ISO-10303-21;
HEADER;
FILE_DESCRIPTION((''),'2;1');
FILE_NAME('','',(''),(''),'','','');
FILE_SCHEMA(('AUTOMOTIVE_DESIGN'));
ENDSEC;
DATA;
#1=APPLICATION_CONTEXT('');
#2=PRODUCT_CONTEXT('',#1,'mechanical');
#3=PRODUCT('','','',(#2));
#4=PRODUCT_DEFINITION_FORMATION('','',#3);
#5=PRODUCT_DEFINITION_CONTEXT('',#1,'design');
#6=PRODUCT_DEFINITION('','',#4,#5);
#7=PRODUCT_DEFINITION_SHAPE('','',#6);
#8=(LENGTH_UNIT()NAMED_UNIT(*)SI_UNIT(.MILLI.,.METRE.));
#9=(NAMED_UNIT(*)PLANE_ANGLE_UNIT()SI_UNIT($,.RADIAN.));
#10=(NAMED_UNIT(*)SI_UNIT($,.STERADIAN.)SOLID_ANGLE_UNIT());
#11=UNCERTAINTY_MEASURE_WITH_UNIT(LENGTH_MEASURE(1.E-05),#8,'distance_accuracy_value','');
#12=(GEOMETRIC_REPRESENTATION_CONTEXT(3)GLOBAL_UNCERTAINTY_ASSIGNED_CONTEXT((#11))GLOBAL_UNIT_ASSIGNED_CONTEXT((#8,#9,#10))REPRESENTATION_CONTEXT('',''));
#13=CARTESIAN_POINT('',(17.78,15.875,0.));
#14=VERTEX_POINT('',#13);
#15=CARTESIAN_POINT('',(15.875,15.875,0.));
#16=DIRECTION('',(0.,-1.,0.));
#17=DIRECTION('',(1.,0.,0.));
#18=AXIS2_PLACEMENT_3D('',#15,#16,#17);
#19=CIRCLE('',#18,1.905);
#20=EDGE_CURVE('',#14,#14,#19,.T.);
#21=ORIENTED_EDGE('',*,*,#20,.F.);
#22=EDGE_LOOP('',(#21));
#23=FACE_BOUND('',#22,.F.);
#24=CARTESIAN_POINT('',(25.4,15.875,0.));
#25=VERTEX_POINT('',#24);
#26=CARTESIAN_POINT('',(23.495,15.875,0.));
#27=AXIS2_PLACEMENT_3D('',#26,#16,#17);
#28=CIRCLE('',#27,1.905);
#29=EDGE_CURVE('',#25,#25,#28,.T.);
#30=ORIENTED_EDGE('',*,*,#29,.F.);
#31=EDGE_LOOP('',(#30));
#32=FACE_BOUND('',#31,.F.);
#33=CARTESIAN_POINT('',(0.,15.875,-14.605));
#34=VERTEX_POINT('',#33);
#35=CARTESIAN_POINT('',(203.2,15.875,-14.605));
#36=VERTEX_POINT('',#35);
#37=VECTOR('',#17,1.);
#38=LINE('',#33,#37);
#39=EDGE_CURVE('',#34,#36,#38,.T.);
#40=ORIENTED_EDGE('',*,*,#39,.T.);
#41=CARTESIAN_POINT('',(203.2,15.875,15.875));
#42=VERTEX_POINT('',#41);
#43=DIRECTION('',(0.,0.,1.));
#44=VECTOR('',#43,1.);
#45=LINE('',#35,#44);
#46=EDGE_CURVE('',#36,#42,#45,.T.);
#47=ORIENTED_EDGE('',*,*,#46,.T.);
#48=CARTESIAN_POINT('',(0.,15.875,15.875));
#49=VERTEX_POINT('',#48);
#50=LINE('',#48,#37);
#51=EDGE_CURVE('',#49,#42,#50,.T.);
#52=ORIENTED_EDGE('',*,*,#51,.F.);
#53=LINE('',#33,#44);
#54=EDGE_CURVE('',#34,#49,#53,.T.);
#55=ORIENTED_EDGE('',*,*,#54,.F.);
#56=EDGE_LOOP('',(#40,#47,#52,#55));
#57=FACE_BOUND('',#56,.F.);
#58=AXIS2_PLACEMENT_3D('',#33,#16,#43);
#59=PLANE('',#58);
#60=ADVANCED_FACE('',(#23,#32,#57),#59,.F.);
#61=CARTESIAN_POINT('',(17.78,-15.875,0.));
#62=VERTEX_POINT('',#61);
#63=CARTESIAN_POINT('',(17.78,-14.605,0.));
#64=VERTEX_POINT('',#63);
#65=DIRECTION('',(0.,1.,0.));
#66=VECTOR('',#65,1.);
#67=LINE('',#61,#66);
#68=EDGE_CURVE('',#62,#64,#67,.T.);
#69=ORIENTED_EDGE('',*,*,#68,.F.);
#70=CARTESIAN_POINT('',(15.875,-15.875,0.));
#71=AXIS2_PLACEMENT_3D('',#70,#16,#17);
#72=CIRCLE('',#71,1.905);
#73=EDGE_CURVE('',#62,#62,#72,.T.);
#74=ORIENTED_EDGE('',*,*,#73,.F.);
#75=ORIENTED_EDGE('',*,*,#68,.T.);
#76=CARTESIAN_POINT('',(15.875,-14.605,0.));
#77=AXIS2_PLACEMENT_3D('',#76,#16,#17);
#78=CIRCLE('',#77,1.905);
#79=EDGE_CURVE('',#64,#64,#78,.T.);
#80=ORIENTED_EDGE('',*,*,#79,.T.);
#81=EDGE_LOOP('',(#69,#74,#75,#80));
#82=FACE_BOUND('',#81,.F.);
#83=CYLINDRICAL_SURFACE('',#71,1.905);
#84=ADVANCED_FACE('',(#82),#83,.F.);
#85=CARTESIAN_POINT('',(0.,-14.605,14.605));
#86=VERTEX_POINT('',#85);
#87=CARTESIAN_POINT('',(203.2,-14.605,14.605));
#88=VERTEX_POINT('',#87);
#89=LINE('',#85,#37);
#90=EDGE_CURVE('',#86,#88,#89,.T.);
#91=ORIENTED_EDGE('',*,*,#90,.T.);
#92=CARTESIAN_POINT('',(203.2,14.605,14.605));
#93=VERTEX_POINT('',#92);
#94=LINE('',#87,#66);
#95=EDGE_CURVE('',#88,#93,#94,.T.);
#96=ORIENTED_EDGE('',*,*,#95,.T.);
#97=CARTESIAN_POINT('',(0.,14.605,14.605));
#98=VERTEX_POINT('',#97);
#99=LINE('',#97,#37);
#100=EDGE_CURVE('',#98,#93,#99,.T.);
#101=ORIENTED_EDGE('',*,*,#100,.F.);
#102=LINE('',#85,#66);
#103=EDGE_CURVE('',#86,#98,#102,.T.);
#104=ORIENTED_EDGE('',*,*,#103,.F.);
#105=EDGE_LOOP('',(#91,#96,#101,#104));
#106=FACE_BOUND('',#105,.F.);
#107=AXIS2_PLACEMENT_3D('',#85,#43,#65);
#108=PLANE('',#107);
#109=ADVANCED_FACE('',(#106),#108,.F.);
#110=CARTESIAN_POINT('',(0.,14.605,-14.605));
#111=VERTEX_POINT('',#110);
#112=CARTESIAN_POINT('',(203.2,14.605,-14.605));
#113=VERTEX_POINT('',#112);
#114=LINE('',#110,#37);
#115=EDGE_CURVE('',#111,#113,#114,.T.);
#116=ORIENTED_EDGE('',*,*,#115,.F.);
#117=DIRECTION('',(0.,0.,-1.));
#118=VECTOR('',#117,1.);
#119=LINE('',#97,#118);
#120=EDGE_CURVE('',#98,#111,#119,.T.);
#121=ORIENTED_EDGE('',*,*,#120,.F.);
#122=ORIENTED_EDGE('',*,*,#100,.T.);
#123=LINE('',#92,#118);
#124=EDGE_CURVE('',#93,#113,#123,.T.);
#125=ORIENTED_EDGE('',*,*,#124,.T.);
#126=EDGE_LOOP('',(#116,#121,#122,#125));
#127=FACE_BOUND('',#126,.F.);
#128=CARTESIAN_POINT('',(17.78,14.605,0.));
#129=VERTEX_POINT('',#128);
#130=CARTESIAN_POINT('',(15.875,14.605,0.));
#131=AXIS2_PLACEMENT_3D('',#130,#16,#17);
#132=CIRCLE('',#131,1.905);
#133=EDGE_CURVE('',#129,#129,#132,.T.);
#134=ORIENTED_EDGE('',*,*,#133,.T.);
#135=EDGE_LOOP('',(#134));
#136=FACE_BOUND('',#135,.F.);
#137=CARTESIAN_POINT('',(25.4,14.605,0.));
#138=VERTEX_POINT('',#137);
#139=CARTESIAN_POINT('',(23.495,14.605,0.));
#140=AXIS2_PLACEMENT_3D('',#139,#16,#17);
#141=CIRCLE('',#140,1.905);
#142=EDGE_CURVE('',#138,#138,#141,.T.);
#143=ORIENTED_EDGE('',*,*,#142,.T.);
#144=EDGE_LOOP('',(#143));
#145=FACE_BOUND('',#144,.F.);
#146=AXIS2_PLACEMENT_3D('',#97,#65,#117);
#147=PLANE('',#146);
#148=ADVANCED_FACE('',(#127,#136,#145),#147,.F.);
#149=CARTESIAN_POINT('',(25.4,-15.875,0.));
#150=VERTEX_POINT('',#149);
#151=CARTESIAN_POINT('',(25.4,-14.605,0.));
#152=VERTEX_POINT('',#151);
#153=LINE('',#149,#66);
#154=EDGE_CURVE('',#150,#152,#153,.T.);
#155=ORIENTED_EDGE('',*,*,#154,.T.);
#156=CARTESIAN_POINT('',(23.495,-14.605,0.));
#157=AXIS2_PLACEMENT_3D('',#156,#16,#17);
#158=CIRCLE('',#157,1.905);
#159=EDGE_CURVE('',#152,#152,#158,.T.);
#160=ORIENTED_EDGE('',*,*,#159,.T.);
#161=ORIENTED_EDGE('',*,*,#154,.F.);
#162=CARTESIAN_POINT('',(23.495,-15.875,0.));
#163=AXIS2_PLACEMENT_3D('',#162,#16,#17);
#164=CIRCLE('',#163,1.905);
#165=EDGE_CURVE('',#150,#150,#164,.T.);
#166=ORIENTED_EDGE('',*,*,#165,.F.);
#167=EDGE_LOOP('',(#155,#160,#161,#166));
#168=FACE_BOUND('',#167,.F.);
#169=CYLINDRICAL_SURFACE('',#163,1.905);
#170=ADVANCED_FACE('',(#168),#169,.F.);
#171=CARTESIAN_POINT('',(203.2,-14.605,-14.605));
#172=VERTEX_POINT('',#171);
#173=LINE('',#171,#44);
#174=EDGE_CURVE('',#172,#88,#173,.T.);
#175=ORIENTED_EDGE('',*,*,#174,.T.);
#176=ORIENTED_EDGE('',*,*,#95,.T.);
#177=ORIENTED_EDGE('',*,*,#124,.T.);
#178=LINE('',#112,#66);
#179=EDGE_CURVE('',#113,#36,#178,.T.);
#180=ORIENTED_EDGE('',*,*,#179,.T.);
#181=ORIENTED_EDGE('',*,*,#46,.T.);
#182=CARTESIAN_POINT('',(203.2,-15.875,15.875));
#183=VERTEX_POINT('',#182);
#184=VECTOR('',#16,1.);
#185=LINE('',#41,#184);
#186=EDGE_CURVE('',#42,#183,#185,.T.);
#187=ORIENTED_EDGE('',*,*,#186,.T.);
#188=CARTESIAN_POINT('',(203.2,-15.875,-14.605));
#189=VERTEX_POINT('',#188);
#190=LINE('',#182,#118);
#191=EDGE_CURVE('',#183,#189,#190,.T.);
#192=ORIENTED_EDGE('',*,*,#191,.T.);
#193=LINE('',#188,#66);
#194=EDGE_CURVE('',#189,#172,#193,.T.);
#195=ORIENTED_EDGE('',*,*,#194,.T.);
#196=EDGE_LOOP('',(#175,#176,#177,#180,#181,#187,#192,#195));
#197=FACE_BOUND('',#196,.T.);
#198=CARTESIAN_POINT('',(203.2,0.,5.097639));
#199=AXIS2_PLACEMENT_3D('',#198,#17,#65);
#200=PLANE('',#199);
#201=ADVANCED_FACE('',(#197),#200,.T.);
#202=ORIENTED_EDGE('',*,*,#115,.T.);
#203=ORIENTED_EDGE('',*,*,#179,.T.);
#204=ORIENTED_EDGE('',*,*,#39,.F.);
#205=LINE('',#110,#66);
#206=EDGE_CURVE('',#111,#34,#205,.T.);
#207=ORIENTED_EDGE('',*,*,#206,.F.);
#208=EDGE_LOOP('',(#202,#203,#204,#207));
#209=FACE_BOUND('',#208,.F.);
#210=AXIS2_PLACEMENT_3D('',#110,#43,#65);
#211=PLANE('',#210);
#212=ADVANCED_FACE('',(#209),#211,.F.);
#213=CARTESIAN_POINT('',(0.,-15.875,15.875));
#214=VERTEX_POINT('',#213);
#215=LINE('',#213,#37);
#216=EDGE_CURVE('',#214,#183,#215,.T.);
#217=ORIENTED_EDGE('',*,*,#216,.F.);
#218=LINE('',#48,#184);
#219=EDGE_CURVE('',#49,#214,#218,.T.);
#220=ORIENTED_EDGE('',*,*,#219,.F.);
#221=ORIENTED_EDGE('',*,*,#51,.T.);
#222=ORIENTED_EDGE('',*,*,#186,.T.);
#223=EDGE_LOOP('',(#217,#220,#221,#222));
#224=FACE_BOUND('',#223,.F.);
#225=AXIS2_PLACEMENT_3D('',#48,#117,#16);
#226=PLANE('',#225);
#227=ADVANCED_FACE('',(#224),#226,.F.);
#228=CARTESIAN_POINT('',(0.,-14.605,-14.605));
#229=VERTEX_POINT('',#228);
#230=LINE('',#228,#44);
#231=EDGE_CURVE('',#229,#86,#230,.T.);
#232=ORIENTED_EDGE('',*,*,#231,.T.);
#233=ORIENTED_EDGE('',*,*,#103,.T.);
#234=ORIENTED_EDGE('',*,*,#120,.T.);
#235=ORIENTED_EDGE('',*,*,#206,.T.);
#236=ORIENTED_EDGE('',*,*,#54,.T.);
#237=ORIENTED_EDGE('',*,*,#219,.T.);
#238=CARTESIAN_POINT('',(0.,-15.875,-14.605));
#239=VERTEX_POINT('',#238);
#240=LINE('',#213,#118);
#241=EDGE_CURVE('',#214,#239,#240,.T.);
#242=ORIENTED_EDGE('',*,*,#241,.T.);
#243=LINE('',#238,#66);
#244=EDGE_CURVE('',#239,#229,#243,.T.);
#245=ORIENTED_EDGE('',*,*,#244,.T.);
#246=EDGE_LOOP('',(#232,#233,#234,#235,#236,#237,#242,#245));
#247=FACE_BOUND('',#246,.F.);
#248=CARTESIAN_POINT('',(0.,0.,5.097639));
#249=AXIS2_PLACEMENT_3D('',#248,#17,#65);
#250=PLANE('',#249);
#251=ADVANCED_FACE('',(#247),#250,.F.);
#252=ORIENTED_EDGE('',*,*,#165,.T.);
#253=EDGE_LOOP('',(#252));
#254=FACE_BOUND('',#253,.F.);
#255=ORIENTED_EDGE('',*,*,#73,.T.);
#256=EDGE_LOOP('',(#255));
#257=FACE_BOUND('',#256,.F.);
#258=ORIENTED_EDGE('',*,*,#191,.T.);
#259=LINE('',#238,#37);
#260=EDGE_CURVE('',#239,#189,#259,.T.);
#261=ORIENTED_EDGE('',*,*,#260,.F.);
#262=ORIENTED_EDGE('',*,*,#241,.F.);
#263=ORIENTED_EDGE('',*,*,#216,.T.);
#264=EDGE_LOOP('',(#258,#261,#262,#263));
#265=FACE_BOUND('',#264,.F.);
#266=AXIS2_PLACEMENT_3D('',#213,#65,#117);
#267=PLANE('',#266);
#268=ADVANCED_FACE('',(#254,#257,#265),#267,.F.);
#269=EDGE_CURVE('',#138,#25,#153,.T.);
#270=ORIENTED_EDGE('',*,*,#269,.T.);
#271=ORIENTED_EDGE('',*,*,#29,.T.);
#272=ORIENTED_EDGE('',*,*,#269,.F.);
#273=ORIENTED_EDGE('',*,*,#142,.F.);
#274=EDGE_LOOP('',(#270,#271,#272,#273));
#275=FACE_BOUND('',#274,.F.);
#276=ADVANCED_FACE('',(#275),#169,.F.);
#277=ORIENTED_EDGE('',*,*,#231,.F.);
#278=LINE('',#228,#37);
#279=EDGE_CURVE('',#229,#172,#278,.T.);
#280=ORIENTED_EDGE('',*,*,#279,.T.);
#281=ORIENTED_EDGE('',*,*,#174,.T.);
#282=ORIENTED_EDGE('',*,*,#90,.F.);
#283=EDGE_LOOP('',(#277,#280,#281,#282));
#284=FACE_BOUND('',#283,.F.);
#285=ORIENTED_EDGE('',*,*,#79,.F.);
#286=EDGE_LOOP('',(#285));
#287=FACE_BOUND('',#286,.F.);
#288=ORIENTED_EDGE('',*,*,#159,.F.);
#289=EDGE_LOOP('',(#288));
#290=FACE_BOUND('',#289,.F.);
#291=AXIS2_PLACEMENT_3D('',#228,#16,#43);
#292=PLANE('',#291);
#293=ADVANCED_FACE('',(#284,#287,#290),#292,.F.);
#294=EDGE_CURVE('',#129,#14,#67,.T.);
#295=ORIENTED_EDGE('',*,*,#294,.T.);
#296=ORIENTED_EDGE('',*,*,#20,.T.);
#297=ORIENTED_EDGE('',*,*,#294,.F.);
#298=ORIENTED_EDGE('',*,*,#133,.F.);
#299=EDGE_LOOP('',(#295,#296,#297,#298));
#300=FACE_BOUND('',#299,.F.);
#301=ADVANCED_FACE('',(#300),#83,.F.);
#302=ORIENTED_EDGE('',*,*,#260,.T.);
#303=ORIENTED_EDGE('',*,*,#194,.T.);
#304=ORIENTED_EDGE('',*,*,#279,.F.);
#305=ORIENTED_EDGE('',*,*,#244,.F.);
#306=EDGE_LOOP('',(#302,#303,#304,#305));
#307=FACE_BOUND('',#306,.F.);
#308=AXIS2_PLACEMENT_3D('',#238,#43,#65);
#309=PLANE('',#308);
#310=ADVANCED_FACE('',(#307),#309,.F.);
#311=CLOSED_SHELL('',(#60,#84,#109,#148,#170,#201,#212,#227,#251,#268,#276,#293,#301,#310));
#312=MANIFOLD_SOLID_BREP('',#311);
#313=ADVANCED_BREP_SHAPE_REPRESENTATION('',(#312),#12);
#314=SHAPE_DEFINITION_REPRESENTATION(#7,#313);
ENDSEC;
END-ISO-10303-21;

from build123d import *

# Parameters (mm, degrees)
F1_DEPTH = 203.2
F2_R     = 1.905
F3_DEPTH = 31.751


with BuildPart() as f1:
    # F0 (on Right) → F1 (new body)
    with BuildSketch(Plane.YZ):
        Polygon((15.875, -14.605), (15.875, 15.875), (-15.875, 15.875), (-15.875, -14.605), (-14.605, -14.605), (-14.605, 14.605), (14.605, 14.605), (14.605, -14.605), align=None)
    extrude(amount=F1_DEPTH)

    # F2 (on face) → F3 (cut, through all)
    with BuildSketch(Plane.XZ.offset(15.875)):
        with Locations((15.875, 0)):
            Circle(F2_R)
        with Locations((23.495, 0)):
            Circle(F2_R)
    extrude(amount=-F3_DEPTH, mode=Mode.SUBTRACT)


solid = f1.part
